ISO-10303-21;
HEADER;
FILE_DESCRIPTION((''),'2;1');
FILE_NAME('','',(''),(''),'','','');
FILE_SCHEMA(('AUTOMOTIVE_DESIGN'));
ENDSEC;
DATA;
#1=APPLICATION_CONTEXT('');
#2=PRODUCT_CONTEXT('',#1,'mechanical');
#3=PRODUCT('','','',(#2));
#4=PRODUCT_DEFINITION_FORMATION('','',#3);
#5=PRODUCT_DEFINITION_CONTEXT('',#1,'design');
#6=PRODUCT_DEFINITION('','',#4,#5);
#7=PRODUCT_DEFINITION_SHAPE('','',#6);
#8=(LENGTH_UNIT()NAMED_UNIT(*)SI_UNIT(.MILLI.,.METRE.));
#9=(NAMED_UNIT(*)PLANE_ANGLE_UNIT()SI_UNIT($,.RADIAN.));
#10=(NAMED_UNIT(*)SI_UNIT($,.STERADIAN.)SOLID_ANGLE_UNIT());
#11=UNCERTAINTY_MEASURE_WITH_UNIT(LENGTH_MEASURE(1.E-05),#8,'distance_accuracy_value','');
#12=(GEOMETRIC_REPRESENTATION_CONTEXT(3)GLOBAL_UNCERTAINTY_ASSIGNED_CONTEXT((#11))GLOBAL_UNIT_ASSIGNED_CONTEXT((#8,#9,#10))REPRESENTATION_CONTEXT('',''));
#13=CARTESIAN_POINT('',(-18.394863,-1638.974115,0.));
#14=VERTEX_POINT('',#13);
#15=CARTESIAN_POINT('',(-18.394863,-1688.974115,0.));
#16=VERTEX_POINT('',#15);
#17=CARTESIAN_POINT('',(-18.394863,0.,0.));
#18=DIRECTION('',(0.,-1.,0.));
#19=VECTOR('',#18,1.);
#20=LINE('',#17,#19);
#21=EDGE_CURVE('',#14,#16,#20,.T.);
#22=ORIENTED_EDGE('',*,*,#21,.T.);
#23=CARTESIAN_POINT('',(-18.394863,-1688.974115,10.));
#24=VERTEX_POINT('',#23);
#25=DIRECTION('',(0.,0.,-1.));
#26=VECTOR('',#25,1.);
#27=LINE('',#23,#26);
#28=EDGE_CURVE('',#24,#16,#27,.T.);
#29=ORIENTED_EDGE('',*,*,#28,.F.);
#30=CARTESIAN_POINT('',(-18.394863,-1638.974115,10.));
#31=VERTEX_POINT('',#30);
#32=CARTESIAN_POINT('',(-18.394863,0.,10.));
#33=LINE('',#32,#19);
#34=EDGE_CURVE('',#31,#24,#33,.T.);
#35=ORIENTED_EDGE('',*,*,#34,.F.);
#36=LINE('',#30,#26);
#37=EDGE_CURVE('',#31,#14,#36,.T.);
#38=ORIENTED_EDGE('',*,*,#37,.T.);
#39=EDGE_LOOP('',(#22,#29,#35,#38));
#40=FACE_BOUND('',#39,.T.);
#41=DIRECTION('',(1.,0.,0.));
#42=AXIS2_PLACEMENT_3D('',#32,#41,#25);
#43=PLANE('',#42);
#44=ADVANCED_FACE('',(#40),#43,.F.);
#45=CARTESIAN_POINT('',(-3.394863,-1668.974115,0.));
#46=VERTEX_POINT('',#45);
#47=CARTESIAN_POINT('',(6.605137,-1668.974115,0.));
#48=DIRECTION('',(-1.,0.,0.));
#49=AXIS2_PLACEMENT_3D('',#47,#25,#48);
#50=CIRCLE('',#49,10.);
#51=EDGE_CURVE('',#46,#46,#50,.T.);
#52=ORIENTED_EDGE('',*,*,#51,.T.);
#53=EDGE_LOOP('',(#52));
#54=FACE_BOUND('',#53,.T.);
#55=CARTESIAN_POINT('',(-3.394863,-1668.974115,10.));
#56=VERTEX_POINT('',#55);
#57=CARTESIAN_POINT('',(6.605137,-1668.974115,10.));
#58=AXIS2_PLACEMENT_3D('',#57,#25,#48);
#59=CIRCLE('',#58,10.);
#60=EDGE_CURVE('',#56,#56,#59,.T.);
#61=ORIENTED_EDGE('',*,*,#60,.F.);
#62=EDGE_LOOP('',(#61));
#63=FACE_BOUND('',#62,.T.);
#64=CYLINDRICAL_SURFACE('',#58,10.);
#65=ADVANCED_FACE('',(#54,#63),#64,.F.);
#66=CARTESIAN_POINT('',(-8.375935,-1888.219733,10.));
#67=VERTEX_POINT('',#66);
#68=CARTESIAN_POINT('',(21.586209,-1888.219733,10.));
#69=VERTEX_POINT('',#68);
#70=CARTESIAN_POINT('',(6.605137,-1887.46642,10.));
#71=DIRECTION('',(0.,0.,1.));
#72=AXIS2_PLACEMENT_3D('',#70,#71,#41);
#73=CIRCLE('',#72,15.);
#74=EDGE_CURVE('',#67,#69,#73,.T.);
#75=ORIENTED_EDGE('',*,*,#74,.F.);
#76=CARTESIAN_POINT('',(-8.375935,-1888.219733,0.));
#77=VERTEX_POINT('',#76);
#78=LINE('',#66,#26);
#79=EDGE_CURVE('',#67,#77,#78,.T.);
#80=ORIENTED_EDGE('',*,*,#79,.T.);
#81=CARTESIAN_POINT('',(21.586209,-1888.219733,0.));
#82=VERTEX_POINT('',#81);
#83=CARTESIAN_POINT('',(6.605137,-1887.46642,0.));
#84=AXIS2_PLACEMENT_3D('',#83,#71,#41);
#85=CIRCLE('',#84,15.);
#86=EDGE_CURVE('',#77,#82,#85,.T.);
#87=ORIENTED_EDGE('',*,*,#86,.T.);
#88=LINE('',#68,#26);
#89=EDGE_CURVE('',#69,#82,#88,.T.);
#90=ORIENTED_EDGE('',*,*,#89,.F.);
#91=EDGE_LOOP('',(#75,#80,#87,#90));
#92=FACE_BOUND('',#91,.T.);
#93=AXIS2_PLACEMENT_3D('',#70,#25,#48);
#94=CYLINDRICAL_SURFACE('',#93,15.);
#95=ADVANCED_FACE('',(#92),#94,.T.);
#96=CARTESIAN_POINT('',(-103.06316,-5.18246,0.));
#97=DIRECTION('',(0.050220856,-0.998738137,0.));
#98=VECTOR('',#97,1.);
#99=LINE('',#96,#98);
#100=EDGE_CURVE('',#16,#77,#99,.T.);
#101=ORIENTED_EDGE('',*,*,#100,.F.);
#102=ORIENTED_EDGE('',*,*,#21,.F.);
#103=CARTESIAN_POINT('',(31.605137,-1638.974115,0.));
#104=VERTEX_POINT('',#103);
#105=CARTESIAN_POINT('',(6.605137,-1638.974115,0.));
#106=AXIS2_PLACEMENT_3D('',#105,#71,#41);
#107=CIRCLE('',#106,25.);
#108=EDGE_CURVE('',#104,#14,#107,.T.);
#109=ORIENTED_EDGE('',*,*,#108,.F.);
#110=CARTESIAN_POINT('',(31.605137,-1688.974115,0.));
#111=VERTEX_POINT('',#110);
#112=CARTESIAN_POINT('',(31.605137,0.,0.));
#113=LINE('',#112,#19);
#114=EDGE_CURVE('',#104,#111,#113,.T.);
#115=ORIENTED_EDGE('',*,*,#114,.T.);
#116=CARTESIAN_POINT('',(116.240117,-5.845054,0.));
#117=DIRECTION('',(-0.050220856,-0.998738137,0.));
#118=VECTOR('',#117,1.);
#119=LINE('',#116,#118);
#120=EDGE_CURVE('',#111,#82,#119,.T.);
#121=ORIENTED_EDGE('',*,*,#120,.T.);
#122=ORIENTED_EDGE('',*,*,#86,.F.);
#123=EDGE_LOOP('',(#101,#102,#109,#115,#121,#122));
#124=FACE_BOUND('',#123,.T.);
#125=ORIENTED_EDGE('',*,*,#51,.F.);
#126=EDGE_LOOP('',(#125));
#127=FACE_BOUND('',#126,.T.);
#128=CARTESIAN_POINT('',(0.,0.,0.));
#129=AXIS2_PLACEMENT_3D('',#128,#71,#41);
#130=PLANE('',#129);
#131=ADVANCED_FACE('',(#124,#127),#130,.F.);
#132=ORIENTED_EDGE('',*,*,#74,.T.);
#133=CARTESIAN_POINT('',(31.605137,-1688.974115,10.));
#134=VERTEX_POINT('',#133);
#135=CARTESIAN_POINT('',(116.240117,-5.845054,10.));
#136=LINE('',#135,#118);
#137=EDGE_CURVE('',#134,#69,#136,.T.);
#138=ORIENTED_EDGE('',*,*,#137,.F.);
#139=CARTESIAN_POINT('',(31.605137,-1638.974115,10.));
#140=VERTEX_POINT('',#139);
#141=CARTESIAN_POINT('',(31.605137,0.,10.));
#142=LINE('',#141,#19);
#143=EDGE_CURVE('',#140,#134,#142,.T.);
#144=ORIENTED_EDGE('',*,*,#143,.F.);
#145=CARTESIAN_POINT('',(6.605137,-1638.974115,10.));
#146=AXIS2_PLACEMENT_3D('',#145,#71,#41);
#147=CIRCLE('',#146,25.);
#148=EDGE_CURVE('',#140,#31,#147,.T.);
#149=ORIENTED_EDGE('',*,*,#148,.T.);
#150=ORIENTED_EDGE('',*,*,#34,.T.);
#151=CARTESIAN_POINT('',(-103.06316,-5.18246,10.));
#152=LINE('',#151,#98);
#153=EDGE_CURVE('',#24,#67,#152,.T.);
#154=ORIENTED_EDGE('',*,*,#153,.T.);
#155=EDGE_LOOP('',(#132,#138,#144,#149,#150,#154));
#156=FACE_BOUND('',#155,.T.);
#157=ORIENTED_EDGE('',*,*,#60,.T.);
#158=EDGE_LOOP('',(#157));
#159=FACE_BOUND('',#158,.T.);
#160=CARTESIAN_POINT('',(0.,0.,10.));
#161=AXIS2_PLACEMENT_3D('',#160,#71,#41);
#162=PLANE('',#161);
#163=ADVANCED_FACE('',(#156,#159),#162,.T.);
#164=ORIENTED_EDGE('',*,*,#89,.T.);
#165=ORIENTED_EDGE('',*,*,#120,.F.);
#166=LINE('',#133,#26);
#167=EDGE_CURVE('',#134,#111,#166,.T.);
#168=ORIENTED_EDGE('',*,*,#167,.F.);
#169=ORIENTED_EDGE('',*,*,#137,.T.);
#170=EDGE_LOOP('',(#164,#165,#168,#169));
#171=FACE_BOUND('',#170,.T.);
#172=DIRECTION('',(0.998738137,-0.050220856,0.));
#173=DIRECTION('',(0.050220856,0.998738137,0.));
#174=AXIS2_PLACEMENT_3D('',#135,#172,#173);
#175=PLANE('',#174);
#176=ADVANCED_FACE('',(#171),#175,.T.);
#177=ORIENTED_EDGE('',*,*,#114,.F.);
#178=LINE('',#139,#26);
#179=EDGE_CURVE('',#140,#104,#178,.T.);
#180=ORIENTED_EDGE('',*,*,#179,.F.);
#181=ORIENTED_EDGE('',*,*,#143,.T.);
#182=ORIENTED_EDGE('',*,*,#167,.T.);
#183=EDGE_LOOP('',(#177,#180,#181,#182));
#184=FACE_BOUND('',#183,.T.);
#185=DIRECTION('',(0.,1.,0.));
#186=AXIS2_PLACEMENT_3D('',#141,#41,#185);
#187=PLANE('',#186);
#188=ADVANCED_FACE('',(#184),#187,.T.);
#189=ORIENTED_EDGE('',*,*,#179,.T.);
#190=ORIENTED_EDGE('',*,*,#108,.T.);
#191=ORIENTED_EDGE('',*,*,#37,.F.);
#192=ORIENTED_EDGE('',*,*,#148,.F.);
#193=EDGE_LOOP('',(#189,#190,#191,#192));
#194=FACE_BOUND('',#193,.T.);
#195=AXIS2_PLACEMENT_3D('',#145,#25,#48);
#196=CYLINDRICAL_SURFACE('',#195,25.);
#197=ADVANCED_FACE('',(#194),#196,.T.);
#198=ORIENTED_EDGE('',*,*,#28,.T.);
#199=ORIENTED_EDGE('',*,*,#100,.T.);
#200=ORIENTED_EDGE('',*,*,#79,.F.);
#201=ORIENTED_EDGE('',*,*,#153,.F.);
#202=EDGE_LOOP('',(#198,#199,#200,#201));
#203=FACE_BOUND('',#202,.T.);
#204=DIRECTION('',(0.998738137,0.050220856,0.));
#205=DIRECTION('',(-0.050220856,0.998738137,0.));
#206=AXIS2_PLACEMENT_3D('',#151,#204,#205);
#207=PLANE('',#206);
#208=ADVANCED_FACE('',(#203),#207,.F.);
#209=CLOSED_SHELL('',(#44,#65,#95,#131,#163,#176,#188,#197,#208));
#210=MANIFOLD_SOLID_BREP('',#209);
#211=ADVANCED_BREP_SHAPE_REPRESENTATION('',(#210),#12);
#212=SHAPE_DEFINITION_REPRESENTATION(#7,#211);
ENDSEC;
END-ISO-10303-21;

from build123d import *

# Parameters (mm, degrees)
SKETCH1_R           = 15
BOSS_EXTRUDE3_DEPTH = 10
BOSS_EXTRUDE4_DEPTH = 10
SKETCH3_R           = 10
CUT_EXTRUDE1_DEPTH  = 1903.755203621


with BuildPart() as part:
    # Sketch1 → Boss-Extrude3 (new body)
    with BuildSketch(Plane.XY):
        with Locations((6.605137187, -1887.466420258)):
            Circle(SKETCH1_R)
        with BuildLine():
            Line((31.605137187, -1638.974115082), (-18.394862813, -1638.974115082))
            Line((-18.394862813, -1638.974115082), (-18.394862813, -1688.974115082))
            Line((-18.394862813, -1688.974115082), (-8.375934863, -1888.219733093))
            ThreePointArc((-8.375934863, -1888.219733093), (6.228361891, -1872.471152992), (21.605137187, -1887.466420258))
            ThreePointArc((21.605137187, -1887.466420258), (21.600404453, -1887.843195554), (21.586209238, -1888.219733093))
            Line((21.586209238, -1888.219733093), (31.605137187, -1688.974115082))
            Line((31.605137187, -1688.974115082), (31.605137187, -1638.974115082))
        make_face()
    extrude(amount=BOSS_EXTRUDE3_DEPTH)

    # Sketch2 → Boss-Extrude4 (add)
    with BuildSketch(Plane(origin=(0, 0, 0), x_dir=(-1, 0, 0), z_dir=(0, 0, -1))):
        with BuildLine():
            Line((-31.605137187, -1638.974115082), (18.394862813, -1638.974115082))
            ThreePointArc((18.394862813, -1638.974115082), (-6.605137187, -1613.974115082), (-31.605137187, -1638.974115082))
        make_face()
    extrude(amount=-BOSS_EXTRUDE4_DEPTH)

    # Sketch3 → Cut-Extrude1 (cut, through all)
    with BuildSketch(Plane(origin=(0, 0, 0), x_dir=(-1, 0, 0), z_dir=(0, 0, -1))):
        with Locations((-6.605137187, -1668.974115082)):
            Circle(SKETCH3_R)
    extrude(amount=-CUT_EXTRUDE1_DEPTH, mode=Mode.SUBTRACT)


solid = part.part
